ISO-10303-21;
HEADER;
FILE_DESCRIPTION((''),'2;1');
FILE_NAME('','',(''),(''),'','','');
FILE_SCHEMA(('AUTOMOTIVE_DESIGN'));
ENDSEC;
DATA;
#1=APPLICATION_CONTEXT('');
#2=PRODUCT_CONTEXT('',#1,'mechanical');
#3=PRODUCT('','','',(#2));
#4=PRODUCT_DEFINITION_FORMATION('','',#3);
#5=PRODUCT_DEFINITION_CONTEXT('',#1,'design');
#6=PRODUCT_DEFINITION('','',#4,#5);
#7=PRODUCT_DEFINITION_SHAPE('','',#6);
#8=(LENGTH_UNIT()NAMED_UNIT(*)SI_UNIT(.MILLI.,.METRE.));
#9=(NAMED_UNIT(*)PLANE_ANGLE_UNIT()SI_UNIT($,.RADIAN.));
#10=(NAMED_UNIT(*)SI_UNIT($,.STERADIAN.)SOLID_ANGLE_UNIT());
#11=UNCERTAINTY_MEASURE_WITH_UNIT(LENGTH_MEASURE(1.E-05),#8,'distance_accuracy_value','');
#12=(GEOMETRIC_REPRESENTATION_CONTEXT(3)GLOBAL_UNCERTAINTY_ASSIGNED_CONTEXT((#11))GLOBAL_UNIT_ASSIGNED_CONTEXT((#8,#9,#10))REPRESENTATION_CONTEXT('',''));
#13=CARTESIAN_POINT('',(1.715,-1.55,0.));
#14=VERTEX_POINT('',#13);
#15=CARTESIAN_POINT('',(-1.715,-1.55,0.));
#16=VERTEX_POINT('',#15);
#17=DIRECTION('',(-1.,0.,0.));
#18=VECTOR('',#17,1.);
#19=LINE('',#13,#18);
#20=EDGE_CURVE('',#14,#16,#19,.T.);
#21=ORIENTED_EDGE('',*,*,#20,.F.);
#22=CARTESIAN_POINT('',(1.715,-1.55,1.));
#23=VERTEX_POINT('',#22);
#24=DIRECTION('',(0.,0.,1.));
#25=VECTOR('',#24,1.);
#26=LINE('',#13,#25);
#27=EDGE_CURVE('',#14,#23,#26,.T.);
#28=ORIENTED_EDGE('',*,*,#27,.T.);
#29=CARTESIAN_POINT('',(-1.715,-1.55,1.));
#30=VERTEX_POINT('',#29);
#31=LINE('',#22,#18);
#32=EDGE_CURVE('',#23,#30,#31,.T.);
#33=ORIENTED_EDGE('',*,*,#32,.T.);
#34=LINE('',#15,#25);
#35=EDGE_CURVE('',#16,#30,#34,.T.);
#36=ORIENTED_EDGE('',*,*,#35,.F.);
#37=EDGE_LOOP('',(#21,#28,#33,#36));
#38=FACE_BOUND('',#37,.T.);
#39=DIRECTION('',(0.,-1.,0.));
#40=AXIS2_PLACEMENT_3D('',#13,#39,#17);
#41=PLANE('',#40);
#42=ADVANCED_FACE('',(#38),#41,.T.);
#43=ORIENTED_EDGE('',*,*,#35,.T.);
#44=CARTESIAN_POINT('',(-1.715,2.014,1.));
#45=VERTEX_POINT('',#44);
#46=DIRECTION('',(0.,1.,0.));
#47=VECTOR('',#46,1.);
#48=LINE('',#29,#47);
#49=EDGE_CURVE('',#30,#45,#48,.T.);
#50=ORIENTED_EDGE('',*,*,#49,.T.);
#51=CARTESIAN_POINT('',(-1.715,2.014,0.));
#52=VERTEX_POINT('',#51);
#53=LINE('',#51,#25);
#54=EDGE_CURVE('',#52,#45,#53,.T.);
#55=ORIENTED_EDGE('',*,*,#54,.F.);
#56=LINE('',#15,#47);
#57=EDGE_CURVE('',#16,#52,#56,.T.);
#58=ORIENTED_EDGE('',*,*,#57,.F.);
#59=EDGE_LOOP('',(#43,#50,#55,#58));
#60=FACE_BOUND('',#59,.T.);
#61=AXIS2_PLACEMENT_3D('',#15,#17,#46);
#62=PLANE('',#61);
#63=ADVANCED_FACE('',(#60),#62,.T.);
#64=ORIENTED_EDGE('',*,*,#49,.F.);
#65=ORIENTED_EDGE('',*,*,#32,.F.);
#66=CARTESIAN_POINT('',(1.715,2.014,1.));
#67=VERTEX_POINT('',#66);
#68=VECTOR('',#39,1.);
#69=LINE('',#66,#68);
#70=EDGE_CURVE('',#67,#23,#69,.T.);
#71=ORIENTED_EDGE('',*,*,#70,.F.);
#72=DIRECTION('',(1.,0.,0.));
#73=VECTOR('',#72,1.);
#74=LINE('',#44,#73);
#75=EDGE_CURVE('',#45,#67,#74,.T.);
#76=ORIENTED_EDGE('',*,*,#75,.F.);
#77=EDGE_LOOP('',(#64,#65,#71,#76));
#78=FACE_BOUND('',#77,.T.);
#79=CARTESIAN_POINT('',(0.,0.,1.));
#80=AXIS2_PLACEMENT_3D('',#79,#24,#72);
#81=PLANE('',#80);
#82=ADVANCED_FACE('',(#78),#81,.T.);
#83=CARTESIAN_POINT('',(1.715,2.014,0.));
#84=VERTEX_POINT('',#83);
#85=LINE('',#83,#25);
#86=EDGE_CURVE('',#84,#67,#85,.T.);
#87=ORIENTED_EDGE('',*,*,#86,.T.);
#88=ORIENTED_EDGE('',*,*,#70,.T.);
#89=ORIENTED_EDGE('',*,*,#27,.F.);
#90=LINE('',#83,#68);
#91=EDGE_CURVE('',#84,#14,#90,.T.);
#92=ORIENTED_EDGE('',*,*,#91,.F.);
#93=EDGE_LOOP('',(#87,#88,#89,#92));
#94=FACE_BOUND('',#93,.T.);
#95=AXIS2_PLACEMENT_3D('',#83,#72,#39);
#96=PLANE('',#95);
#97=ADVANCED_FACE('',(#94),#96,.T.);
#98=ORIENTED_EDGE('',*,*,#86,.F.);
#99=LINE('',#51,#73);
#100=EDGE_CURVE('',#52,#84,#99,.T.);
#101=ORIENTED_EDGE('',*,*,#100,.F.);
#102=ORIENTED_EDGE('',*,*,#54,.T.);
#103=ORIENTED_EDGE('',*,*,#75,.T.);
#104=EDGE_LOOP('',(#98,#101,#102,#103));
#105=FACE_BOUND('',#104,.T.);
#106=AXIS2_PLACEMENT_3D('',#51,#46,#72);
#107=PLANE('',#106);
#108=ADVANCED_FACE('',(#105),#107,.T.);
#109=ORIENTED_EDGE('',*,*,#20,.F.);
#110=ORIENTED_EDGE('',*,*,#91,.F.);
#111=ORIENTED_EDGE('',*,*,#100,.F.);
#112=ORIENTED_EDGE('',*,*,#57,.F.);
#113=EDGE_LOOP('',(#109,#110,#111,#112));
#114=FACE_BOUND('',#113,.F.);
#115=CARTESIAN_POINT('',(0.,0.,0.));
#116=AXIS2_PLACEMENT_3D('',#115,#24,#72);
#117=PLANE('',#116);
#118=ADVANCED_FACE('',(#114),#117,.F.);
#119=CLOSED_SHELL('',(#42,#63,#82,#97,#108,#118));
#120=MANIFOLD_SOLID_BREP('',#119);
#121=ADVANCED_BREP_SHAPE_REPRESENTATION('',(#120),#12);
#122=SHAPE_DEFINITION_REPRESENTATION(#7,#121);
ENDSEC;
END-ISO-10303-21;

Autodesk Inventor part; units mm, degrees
ref_plane "YZ Plane" through (0, 0, 0) normal (1, 0, 0) x (0, 1, 0)
ref_plane "XZ Plane" through (0, 0, 0) normal (0, 1, 0) x (-1, 0, 0)
ref_plane "XY Plane" through (0, 0, 0) normal (0, 0, 1) x (1, 0, 0)
sketch "SOT23, LM4040_202" plane through (0, 0, 0) normal (0, 0, 1) x (1, 0, 0)
  line L0 (-1.715, -1.55) -> (-1.715, 2.014)
  line L1 (-1.715, 2.014) -> (1.715, 2.014)
  line L2 (1.715, 2.014) -> (1.715, -1.55)
  line L3 (1.715, -1.55) -> (-1.715, -1.55)
extrude "Extrusion1" add sketch "SOT23, LM4040_202" along normal blind 1
properties part number "LM4040"
